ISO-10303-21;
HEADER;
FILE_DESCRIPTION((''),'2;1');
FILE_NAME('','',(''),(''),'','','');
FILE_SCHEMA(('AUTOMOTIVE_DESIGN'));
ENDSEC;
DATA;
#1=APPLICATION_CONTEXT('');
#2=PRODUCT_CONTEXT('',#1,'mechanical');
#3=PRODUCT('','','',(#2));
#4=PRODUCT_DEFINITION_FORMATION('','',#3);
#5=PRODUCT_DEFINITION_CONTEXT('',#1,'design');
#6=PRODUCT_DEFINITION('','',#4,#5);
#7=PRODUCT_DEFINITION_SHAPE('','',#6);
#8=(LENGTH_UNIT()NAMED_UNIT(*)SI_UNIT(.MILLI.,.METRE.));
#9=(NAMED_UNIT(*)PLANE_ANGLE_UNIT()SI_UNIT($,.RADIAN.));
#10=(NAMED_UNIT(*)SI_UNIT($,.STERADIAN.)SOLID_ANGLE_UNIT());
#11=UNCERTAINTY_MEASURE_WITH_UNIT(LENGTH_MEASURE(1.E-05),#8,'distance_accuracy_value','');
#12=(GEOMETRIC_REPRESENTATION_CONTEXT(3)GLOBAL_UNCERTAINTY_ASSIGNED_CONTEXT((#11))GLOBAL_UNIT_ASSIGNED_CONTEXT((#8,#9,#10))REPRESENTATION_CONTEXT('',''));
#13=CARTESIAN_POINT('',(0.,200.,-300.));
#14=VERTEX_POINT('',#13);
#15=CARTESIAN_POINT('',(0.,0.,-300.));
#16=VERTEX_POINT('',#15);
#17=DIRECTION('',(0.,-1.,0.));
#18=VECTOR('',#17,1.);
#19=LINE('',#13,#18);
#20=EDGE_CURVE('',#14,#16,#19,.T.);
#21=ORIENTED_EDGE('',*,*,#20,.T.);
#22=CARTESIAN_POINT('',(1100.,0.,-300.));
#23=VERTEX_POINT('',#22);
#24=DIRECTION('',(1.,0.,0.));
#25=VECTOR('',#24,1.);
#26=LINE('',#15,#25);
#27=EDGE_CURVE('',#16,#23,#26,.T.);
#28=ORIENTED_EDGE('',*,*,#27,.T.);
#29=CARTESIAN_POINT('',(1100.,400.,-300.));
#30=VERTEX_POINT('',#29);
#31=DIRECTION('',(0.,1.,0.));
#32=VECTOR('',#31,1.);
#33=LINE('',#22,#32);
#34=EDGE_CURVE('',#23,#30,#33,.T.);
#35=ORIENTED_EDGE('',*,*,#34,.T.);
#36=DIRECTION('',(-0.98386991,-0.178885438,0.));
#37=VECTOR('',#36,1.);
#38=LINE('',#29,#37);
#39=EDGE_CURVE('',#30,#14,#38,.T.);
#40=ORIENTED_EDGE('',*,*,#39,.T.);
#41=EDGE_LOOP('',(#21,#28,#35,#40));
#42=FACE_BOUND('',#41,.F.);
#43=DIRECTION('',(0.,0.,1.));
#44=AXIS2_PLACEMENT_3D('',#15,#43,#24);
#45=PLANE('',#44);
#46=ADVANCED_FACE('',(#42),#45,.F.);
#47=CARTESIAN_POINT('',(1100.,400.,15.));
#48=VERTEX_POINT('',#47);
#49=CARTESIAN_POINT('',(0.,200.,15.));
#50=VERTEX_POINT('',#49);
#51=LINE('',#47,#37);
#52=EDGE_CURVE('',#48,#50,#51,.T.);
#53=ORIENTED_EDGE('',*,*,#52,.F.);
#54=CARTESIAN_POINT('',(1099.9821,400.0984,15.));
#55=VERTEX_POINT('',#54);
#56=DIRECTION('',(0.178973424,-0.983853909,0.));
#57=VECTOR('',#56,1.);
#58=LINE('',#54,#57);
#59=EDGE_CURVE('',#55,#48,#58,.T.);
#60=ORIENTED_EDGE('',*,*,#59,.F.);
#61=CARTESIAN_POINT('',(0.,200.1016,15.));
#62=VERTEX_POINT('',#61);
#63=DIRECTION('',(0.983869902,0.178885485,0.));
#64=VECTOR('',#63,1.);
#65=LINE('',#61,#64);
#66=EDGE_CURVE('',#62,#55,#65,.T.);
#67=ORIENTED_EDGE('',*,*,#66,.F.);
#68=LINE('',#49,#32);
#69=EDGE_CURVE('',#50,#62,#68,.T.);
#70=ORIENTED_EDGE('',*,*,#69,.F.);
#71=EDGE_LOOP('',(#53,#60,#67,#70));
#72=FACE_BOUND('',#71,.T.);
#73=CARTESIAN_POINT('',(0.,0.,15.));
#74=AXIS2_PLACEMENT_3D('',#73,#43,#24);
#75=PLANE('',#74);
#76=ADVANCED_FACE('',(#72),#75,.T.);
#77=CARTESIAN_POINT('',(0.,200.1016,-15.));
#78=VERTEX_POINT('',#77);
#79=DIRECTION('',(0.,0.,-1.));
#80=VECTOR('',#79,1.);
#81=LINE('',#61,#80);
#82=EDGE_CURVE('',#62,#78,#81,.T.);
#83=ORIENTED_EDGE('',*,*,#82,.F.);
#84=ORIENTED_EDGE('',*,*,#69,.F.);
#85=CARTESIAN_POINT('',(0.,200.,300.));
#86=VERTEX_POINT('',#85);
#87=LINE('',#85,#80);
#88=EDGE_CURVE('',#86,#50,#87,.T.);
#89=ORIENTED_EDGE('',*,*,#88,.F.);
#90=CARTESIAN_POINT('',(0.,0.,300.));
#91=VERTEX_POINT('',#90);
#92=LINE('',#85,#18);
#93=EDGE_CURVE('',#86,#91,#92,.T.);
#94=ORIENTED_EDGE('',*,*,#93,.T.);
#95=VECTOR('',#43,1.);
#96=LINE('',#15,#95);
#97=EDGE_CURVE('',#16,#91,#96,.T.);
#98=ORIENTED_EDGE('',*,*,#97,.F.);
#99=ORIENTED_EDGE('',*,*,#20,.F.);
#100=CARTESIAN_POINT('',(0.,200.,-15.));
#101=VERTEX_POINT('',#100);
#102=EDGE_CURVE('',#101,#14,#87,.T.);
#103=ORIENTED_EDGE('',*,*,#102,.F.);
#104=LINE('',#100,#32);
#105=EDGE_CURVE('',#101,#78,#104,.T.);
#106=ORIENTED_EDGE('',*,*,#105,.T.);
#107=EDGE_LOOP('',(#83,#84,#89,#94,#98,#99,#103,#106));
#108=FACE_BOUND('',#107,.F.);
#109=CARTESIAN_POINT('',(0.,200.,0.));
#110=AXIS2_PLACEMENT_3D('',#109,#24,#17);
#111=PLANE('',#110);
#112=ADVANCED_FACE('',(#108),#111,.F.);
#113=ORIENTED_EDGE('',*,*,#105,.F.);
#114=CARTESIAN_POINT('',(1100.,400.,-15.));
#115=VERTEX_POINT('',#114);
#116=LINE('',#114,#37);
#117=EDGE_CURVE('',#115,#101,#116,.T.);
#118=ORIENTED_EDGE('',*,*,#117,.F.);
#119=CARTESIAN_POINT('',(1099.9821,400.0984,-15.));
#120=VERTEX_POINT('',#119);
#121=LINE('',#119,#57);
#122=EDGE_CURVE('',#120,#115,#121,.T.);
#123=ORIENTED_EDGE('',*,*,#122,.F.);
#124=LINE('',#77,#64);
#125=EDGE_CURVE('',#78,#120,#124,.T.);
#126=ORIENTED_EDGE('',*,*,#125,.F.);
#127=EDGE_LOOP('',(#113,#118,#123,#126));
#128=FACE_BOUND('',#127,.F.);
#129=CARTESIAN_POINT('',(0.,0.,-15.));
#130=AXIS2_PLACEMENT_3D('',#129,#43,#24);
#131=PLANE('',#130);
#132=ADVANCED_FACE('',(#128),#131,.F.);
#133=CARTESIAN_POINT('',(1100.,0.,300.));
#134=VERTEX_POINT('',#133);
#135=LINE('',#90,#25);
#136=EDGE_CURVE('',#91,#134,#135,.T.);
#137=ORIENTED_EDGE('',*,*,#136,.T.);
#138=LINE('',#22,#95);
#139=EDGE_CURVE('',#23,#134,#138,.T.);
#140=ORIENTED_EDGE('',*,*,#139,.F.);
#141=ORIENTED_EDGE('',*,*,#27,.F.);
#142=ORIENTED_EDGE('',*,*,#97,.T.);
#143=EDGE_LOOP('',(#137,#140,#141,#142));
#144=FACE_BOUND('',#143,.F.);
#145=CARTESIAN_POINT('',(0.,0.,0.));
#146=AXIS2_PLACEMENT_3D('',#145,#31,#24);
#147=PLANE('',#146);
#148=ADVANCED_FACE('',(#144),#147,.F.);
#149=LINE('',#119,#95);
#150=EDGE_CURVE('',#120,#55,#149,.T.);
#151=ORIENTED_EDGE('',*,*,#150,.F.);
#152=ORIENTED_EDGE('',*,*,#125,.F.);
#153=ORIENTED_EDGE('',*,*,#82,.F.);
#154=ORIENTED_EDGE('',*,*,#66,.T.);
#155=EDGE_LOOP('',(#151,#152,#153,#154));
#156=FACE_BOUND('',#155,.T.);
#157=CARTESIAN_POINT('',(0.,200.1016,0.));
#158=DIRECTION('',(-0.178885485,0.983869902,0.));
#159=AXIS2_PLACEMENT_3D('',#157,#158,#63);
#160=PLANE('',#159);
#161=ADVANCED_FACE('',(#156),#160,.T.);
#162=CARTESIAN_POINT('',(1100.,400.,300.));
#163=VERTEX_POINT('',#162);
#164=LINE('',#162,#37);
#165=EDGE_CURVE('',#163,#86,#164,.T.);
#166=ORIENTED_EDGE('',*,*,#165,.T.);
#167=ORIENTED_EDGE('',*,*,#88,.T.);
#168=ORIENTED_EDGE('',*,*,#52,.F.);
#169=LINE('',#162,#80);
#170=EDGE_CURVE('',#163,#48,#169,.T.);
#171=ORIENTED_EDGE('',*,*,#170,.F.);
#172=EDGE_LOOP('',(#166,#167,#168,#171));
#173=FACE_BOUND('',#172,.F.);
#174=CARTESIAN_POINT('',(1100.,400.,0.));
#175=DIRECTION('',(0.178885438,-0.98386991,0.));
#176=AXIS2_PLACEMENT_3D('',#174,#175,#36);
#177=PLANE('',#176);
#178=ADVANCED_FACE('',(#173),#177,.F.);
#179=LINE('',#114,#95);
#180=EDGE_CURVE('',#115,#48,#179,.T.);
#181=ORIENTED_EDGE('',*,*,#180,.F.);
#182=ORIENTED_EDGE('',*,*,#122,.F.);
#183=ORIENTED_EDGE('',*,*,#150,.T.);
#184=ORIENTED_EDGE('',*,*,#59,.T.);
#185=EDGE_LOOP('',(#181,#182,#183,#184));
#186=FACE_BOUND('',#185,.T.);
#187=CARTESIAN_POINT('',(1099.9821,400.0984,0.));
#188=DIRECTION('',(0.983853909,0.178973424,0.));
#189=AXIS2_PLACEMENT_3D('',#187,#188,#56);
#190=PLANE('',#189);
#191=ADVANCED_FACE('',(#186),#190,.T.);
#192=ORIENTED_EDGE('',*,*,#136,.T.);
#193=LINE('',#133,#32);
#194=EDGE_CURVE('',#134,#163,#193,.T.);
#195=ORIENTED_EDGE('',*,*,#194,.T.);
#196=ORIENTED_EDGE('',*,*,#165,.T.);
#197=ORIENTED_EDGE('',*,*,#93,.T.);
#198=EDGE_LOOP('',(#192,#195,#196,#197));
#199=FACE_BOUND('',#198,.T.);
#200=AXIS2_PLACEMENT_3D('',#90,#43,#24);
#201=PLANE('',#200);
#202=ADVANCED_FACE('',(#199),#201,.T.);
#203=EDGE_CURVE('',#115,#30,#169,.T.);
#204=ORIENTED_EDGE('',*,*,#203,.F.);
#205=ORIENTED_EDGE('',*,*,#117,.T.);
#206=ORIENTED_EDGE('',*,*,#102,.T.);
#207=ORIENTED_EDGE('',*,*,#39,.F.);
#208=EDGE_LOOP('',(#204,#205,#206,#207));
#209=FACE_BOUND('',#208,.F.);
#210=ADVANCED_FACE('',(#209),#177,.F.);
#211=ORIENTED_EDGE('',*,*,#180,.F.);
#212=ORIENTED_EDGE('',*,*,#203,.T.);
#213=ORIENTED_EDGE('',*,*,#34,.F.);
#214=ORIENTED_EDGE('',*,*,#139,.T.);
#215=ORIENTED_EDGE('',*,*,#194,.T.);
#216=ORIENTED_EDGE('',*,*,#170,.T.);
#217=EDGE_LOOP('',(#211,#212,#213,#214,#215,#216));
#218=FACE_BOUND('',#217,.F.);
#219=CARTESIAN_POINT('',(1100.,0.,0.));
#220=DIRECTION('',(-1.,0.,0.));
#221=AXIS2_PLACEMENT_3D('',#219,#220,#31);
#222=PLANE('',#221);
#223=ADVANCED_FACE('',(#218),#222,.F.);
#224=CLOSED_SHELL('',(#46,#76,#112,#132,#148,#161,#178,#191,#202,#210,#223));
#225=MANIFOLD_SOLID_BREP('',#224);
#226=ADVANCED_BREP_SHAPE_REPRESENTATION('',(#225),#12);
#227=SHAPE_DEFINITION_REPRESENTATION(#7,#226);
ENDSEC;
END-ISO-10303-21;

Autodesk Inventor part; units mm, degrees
ref_plane "YZ Plane" through (0, 0, 0) normal (1, 0, 0) x (0, 1, 0)
ref_plane "XZ Plane" through (0, 0, 0) normal (0, 1, 0) x (-1, 0, 0)
ref_plane "XY Plane" through (0, 0, 0) normal (0, 0, 1) x (1, 0, 0)
sketch "スケッチ1" plane through (0, 0, 0) normal (0, 0, 1) x (1, 0, 0)
  line L0 (0, 0) -> (1100, 0)
  line L1 (1100, 0) -> (1100, 400)
  line L2 (1100, 400) -> (0, 200)
  line L3 (0, 200) -> (0, 0)
  dimension "d0" = 200
  dimension "d1" = 1100
  dimension "d2" = 400
extrude "押し出し1" add sketch "スケッチ1" along normal mid plane 600
sketch "スケッチ2" plane through (0, 0, 0) normal (0, 0, 1) x (1, 0, 0)
  line L0 (1100, 400) -> (0, 200) projected
  line L1 (0, 200) -> (0, 200.1016)
  line L2 (0, 200.1016) -> (1099.9821, 400.0984)
  line L3 (1099.9821, 400.0984) -> (1100, 400)
  point P0 (0, 0)
  dimension "d5" = 0.1
extrude "押し出し2" add sketch "スケッチ2" along normal mid plane 30
properties part number "Slope 2"
